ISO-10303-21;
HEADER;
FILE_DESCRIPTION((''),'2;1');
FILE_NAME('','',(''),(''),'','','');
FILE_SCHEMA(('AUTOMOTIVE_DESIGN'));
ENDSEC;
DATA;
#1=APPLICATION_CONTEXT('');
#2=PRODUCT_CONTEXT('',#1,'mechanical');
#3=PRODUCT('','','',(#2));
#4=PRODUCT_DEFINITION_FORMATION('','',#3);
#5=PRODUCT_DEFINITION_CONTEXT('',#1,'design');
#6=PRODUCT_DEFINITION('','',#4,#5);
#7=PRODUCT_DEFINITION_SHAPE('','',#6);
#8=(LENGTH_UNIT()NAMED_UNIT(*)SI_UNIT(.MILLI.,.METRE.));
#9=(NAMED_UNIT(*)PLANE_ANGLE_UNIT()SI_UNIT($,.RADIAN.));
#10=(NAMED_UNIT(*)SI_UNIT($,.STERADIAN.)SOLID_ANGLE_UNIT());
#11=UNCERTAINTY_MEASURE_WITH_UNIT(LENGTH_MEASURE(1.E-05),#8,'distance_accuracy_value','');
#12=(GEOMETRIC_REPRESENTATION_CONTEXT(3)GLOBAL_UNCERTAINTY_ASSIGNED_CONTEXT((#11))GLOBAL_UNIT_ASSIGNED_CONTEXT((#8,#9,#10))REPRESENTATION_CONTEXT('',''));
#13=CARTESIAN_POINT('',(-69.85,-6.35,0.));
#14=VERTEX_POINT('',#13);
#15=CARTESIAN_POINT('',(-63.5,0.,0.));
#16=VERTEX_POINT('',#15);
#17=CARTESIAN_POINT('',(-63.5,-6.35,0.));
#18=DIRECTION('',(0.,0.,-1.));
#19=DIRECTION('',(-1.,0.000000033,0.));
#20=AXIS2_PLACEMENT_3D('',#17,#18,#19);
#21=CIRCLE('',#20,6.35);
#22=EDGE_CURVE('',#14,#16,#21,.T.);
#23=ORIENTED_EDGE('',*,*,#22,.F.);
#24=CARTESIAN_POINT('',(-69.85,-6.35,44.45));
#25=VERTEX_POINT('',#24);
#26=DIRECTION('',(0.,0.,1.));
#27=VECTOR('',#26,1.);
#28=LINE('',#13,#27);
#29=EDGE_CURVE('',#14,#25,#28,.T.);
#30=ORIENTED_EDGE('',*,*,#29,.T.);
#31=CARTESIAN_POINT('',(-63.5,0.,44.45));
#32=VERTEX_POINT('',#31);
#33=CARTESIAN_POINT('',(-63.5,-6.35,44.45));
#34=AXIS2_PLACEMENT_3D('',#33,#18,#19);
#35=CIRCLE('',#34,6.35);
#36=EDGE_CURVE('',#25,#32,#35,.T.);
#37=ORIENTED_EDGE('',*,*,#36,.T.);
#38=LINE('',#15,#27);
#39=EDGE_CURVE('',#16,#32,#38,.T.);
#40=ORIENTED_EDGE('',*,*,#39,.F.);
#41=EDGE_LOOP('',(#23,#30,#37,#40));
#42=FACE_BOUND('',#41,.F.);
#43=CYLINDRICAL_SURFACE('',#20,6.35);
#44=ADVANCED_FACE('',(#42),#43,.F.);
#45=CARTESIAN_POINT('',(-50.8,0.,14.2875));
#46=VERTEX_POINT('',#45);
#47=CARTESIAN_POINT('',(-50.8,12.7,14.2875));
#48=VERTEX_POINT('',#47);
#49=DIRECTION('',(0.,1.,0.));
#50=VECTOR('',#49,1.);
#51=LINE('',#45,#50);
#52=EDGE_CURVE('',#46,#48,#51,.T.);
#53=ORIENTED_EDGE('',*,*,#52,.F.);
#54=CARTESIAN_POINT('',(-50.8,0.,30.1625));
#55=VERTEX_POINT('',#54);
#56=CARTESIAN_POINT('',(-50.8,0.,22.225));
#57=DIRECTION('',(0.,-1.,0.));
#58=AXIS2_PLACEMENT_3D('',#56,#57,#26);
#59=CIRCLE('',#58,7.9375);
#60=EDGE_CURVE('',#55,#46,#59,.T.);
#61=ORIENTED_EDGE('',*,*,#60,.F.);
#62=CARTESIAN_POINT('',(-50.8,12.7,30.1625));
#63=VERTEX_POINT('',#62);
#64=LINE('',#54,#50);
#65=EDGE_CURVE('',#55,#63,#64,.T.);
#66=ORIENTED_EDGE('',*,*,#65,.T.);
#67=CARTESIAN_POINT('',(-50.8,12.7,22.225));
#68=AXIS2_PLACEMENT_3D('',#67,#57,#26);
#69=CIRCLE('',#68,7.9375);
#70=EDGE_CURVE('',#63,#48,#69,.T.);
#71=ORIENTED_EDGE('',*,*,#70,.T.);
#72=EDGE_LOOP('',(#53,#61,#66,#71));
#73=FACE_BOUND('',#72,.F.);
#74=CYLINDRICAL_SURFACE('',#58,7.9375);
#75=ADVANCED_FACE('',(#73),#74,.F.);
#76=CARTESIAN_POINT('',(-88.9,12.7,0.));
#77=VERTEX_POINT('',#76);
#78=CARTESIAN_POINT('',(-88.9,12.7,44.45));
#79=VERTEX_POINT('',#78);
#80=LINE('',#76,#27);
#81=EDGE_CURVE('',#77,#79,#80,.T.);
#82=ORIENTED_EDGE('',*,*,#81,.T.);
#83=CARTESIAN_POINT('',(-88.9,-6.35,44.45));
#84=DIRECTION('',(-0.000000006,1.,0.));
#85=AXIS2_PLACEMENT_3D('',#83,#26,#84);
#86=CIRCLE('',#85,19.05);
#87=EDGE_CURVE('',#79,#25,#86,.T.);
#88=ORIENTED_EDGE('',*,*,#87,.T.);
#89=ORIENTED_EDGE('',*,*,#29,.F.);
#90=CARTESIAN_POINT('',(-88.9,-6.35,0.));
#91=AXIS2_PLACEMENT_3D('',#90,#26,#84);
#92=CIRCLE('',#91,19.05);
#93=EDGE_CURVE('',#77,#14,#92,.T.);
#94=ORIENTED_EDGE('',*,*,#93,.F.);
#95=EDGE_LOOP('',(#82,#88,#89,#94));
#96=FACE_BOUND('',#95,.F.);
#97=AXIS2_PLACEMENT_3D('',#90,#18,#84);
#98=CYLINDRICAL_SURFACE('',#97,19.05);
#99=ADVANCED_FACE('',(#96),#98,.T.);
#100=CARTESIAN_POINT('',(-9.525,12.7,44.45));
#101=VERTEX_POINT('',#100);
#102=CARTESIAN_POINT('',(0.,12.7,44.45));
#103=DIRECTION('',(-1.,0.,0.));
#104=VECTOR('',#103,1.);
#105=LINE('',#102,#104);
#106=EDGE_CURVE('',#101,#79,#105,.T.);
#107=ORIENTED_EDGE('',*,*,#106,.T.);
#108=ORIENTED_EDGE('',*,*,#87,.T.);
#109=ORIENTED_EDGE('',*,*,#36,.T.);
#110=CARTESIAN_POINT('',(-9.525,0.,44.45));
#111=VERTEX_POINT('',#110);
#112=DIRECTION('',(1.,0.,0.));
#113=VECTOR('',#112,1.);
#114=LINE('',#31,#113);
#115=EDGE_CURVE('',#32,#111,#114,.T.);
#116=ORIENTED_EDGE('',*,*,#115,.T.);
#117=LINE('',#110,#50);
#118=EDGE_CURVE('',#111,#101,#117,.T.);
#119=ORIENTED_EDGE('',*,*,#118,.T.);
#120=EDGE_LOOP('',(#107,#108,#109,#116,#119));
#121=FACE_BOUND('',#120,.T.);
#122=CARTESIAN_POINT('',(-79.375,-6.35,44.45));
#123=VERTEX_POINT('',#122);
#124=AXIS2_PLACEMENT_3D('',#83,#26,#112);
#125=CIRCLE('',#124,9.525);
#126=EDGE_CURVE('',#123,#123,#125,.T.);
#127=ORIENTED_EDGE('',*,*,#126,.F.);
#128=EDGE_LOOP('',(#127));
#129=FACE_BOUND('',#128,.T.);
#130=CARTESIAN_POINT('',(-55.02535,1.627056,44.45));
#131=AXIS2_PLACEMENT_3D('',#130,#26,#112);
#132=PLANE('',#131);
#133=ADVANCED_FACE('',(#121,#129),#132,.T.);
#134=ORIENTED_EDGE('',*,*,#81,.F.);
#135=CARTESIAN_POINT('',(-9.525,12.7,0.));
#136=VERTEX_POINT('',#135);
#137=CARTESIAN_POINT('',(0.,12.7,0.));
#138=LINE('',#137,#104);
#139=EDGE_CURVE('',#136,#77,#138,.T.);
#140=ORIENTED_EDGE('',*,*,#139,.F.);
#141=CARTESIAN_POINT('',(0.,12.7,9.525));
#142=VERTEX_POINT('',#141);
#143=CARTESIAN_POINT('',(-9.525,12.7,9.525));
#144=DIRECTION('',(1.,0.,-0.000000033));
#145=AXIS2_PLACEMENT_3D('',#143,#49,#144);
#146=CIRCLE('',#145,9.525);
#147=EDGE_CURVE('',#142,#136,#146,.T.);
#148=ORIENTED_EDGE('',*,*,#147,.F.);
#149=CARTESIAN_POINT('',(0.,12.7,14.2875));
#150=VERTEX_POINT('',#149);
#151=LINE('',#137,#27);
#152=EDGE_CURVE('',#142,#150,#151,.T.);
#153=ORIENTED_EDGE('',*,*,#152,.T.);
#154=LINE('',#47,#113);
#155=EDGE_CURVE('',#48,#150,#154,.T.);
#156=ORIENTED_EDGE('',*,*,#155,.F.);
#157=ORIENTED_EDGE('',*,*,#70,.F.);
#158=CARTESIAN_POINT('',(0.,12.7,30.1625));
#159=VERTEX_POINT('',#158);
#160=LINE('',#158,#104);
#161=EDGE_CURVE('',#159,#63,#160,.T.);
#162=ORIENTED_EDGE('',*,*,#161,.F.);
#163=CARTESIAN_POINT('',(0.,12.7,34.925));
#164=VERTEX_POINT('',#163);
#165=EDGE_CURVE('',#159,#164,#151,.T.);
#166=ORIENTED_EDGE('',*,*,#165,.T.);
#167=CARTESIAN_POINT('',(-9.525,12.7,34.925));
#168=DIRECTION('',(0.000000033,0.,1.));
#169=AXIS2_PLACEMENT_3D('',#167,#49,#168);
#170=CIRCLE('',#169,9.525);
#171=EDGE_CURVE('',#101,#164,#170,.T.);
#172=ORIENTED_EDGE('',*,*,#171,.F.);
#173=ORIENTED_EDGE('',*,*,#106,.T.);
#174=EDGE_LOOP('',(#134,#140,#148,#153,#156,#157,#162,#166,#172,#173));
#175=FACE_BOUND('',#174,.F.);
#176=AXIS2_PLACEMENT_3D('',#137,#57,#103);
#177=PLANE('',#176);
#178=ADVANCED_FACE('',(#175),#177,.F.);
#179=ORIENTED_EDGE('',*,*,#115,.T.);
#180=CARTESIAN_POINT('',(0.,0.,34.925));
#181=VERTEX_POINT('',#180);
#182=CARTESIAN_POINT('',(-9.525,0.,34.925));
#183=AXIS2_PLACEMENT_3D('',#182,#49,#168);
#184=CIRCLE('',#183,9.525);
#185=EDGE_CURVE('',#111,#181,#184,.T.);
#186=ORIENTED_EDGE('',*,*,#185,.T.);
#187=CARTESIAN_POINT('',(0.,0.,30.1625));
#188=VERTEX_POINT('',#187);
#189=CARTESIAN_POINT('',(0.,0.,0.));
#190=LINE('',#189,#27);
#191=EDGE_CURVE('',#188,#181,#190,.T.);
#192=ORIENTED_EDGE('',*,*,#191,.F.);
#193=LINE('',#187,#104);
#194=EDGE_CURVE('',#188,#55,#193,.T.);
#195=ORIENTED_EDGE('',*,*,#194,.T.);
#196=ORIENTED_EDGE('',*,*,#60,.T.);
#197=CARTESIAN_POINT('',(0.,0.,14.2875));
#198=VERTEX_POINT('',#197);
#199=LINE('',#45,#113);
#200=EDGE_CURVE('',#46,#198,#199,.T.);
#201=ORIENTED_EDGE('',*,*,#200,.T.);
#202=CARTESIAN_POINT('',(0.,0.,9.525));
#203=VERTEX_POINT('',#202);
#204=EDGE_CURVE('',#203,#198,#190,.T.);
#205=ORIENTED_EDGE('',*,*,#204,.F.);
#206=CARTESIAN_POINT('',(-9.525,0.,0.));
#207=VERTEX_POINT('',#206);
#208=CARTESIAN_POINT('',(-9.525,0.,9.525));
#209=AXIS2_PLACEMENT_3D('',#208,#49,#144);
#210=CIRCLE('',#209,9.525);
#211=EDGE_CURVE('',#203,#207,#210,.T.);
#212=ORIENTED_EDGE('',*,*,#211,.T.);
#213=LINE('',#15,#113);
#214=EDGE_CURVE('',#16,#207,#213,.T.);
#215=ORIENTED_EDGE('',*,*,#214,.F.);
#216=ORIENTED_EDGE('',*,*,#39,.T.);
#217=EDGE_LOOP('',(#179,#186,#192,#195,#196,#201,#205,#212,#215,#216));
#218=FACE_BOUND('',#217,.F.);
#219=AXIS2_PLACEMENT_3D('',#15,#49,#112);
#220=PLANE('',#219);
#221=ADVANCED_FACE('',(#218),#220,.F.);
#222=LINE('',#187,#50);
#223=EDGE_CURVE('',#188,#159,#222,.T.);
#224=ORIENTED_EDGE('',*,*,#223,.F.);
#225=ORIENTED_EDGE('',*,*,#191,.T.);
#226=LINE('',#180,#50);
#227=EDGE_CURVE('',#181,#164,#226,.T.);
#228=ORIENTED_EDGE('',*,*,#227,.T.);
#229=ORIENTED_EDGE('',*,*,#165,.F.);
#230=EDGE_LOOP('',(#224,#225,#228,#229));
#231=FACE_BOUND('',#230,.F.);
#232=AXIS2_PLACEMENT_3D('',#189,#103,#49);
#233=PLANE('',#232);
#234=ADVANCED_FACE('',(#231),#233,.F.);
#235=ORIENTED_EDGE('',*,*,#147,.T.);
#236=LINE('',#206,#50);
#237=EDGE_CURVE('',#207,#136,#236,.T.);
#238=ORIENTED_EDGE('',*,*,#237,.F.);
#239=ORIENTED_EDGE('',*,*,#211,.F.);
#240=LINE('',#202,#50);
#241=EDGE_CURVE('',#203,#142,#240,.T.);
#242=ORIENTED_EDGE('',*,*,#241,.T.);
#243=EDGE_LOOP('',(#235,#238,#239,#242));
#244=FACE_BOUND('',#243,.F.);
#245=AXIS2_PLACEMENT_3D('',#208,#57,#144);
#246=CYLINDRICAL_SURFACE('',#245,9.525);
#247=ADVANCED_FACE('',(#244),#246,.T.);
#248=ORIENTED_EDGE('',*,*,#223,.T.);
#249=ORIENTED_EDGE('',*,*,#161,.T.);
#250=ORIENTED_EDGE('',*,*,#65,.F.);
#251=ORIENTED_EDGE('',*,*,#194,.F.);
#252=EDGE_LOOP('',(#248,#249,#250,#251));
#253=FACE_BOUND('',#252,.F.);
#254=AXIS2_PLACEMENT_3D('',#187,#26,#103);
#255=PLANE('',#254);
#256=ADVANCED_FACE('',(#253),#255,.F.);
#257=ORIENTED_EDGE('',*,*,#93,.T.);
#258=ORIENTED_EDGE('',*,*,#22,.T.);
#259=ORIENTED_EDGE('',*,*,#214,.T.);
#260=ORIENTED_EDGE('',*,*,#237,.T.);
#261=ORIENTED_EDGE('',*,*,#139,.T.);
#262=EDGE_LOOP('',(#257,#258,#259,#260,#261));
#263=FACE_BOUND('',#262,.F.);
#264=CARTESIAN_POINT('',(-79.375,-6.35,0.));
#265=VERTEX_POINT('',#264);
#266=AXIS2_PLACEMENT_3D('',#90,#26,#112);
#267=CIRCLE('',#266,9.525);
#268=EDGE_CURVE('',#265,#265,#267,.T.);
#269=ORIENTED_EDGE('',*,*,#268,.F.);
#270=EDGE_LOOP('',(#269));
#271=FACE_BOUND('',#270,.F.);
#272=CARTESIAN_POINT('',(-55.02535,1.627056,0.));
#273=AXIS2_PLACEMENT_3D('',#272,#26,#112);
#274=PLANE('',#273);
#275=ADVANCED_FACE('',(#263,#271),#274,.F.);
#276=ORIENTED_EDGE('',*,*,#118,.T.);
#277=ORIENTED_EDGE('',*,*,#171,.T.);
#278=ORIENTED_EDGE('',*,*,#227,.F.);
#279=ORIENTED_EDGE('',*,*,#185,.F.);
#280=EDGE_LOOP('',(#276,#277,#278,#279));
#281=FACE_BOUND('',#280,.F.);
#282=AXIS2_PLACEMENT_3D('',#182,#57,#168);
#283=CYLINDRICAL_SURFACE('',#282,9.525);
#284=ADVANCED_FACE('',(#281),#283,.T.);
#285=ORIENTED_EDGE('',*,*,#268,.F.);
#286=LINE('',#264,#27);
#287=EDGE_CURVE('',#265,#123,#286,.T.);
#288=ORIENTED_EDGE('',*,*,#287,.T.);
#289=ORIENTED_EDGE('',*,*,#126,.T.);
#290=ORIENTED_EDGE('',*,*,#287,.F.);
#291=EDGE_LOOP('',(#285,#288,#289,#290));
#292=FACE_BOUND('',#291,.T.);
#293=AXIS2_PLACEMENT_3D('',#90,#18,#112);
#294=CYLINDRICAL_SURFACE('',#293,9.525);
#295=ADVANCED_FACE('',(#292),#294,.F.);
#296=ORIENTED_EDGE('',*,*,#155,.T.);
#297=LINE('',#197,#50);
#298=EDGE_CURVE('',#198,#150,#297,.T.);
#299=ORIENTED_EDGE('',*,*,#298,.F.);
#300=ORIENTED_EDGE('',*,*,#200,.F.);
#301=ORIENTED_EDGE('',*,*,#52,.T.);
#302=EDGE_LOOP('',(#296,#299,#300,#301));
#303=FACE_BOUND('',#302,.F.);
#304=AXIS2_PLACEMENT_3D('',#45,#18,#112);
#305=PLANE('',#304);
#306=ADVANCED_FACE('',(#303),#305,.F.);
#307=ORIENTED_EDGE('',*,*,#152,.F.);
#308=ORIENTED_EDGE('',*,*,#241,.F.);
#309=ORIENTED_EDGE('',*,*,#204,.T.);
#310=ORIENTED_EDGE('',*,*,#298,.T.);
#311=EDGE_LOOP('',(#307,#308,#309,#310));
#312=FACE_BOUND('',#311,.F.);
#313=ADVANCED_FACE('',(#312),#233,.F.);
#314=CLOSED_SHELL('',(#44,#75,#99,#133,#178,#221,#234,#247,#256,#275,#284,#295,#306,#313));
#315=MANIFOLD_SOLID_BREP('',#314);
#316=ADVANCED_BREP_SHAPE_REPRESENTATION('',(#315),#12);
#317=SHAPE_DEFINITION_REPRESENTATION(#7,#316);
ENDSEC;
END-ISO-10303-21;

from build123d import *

# Parameters (mm, degrees)
F0_R     = 9.525
F1_DEPTH = 44.45
F3_DEPTH = 12.7


with BuildPart() as f1:
    # F0 (on Top) → F1 (new body)
    with BuildSketch(Plane.XY):
        with BuildLine():
            Line((-63.5, 0), (0, 0))
            Line((0, 0), (0, 12.7))
            Line((0, 12.7), (-88.9, 12.7))
            ThreePointArc((-88.9, 12.7), (-102.370384, -19.820384), (-69.85, -6.35))
            ThreePointArc((-69.85, -6.35), (-67.990128, -1.859872), (-63.5, 0))
        make_face()
        with Locations((-88.9, -6.35)):
            Circle(F0_R, mode=Mode.SUBTRACT)
    extrude(amount=F1_DEPTH)

    # F2 (on face) → F3 (cut)
    with BuildSketch(Plane.XZ):
        with BuildLine():
            Line((0, 14.2875), (0, 30.1625))
            Line((0, 30.1625), (-50.8, 30.1625))
            ThreePointArc((-50.8, 30.1625), (-58.7375, 22.225), (-50.8, 14.2875))
            Line((-50.8, 14.2875), (0, 14.2875))
        make_face()
        with BuildLine():
            Line((0, 0), (0, 9.525))
            ThreePointArc((0, 9.525), (-2.789808, 2.789808), (-9.525, 0))
            Line((-9.525, 0), (0, 0))
        make_face()
        with BuildLine():
            Line((0, 44.45), (-9.525, 44.45))
            ThreePointArc((-9.525, 44.45), (-2.789808, 41.660192), (0, 34.925))
            Line((0, 34.925), (0, 44.45))
        make_face()
    extrude(amount=-F3_DEPTH, mode=Mode.SUBTRACT)


solid = f1.part
